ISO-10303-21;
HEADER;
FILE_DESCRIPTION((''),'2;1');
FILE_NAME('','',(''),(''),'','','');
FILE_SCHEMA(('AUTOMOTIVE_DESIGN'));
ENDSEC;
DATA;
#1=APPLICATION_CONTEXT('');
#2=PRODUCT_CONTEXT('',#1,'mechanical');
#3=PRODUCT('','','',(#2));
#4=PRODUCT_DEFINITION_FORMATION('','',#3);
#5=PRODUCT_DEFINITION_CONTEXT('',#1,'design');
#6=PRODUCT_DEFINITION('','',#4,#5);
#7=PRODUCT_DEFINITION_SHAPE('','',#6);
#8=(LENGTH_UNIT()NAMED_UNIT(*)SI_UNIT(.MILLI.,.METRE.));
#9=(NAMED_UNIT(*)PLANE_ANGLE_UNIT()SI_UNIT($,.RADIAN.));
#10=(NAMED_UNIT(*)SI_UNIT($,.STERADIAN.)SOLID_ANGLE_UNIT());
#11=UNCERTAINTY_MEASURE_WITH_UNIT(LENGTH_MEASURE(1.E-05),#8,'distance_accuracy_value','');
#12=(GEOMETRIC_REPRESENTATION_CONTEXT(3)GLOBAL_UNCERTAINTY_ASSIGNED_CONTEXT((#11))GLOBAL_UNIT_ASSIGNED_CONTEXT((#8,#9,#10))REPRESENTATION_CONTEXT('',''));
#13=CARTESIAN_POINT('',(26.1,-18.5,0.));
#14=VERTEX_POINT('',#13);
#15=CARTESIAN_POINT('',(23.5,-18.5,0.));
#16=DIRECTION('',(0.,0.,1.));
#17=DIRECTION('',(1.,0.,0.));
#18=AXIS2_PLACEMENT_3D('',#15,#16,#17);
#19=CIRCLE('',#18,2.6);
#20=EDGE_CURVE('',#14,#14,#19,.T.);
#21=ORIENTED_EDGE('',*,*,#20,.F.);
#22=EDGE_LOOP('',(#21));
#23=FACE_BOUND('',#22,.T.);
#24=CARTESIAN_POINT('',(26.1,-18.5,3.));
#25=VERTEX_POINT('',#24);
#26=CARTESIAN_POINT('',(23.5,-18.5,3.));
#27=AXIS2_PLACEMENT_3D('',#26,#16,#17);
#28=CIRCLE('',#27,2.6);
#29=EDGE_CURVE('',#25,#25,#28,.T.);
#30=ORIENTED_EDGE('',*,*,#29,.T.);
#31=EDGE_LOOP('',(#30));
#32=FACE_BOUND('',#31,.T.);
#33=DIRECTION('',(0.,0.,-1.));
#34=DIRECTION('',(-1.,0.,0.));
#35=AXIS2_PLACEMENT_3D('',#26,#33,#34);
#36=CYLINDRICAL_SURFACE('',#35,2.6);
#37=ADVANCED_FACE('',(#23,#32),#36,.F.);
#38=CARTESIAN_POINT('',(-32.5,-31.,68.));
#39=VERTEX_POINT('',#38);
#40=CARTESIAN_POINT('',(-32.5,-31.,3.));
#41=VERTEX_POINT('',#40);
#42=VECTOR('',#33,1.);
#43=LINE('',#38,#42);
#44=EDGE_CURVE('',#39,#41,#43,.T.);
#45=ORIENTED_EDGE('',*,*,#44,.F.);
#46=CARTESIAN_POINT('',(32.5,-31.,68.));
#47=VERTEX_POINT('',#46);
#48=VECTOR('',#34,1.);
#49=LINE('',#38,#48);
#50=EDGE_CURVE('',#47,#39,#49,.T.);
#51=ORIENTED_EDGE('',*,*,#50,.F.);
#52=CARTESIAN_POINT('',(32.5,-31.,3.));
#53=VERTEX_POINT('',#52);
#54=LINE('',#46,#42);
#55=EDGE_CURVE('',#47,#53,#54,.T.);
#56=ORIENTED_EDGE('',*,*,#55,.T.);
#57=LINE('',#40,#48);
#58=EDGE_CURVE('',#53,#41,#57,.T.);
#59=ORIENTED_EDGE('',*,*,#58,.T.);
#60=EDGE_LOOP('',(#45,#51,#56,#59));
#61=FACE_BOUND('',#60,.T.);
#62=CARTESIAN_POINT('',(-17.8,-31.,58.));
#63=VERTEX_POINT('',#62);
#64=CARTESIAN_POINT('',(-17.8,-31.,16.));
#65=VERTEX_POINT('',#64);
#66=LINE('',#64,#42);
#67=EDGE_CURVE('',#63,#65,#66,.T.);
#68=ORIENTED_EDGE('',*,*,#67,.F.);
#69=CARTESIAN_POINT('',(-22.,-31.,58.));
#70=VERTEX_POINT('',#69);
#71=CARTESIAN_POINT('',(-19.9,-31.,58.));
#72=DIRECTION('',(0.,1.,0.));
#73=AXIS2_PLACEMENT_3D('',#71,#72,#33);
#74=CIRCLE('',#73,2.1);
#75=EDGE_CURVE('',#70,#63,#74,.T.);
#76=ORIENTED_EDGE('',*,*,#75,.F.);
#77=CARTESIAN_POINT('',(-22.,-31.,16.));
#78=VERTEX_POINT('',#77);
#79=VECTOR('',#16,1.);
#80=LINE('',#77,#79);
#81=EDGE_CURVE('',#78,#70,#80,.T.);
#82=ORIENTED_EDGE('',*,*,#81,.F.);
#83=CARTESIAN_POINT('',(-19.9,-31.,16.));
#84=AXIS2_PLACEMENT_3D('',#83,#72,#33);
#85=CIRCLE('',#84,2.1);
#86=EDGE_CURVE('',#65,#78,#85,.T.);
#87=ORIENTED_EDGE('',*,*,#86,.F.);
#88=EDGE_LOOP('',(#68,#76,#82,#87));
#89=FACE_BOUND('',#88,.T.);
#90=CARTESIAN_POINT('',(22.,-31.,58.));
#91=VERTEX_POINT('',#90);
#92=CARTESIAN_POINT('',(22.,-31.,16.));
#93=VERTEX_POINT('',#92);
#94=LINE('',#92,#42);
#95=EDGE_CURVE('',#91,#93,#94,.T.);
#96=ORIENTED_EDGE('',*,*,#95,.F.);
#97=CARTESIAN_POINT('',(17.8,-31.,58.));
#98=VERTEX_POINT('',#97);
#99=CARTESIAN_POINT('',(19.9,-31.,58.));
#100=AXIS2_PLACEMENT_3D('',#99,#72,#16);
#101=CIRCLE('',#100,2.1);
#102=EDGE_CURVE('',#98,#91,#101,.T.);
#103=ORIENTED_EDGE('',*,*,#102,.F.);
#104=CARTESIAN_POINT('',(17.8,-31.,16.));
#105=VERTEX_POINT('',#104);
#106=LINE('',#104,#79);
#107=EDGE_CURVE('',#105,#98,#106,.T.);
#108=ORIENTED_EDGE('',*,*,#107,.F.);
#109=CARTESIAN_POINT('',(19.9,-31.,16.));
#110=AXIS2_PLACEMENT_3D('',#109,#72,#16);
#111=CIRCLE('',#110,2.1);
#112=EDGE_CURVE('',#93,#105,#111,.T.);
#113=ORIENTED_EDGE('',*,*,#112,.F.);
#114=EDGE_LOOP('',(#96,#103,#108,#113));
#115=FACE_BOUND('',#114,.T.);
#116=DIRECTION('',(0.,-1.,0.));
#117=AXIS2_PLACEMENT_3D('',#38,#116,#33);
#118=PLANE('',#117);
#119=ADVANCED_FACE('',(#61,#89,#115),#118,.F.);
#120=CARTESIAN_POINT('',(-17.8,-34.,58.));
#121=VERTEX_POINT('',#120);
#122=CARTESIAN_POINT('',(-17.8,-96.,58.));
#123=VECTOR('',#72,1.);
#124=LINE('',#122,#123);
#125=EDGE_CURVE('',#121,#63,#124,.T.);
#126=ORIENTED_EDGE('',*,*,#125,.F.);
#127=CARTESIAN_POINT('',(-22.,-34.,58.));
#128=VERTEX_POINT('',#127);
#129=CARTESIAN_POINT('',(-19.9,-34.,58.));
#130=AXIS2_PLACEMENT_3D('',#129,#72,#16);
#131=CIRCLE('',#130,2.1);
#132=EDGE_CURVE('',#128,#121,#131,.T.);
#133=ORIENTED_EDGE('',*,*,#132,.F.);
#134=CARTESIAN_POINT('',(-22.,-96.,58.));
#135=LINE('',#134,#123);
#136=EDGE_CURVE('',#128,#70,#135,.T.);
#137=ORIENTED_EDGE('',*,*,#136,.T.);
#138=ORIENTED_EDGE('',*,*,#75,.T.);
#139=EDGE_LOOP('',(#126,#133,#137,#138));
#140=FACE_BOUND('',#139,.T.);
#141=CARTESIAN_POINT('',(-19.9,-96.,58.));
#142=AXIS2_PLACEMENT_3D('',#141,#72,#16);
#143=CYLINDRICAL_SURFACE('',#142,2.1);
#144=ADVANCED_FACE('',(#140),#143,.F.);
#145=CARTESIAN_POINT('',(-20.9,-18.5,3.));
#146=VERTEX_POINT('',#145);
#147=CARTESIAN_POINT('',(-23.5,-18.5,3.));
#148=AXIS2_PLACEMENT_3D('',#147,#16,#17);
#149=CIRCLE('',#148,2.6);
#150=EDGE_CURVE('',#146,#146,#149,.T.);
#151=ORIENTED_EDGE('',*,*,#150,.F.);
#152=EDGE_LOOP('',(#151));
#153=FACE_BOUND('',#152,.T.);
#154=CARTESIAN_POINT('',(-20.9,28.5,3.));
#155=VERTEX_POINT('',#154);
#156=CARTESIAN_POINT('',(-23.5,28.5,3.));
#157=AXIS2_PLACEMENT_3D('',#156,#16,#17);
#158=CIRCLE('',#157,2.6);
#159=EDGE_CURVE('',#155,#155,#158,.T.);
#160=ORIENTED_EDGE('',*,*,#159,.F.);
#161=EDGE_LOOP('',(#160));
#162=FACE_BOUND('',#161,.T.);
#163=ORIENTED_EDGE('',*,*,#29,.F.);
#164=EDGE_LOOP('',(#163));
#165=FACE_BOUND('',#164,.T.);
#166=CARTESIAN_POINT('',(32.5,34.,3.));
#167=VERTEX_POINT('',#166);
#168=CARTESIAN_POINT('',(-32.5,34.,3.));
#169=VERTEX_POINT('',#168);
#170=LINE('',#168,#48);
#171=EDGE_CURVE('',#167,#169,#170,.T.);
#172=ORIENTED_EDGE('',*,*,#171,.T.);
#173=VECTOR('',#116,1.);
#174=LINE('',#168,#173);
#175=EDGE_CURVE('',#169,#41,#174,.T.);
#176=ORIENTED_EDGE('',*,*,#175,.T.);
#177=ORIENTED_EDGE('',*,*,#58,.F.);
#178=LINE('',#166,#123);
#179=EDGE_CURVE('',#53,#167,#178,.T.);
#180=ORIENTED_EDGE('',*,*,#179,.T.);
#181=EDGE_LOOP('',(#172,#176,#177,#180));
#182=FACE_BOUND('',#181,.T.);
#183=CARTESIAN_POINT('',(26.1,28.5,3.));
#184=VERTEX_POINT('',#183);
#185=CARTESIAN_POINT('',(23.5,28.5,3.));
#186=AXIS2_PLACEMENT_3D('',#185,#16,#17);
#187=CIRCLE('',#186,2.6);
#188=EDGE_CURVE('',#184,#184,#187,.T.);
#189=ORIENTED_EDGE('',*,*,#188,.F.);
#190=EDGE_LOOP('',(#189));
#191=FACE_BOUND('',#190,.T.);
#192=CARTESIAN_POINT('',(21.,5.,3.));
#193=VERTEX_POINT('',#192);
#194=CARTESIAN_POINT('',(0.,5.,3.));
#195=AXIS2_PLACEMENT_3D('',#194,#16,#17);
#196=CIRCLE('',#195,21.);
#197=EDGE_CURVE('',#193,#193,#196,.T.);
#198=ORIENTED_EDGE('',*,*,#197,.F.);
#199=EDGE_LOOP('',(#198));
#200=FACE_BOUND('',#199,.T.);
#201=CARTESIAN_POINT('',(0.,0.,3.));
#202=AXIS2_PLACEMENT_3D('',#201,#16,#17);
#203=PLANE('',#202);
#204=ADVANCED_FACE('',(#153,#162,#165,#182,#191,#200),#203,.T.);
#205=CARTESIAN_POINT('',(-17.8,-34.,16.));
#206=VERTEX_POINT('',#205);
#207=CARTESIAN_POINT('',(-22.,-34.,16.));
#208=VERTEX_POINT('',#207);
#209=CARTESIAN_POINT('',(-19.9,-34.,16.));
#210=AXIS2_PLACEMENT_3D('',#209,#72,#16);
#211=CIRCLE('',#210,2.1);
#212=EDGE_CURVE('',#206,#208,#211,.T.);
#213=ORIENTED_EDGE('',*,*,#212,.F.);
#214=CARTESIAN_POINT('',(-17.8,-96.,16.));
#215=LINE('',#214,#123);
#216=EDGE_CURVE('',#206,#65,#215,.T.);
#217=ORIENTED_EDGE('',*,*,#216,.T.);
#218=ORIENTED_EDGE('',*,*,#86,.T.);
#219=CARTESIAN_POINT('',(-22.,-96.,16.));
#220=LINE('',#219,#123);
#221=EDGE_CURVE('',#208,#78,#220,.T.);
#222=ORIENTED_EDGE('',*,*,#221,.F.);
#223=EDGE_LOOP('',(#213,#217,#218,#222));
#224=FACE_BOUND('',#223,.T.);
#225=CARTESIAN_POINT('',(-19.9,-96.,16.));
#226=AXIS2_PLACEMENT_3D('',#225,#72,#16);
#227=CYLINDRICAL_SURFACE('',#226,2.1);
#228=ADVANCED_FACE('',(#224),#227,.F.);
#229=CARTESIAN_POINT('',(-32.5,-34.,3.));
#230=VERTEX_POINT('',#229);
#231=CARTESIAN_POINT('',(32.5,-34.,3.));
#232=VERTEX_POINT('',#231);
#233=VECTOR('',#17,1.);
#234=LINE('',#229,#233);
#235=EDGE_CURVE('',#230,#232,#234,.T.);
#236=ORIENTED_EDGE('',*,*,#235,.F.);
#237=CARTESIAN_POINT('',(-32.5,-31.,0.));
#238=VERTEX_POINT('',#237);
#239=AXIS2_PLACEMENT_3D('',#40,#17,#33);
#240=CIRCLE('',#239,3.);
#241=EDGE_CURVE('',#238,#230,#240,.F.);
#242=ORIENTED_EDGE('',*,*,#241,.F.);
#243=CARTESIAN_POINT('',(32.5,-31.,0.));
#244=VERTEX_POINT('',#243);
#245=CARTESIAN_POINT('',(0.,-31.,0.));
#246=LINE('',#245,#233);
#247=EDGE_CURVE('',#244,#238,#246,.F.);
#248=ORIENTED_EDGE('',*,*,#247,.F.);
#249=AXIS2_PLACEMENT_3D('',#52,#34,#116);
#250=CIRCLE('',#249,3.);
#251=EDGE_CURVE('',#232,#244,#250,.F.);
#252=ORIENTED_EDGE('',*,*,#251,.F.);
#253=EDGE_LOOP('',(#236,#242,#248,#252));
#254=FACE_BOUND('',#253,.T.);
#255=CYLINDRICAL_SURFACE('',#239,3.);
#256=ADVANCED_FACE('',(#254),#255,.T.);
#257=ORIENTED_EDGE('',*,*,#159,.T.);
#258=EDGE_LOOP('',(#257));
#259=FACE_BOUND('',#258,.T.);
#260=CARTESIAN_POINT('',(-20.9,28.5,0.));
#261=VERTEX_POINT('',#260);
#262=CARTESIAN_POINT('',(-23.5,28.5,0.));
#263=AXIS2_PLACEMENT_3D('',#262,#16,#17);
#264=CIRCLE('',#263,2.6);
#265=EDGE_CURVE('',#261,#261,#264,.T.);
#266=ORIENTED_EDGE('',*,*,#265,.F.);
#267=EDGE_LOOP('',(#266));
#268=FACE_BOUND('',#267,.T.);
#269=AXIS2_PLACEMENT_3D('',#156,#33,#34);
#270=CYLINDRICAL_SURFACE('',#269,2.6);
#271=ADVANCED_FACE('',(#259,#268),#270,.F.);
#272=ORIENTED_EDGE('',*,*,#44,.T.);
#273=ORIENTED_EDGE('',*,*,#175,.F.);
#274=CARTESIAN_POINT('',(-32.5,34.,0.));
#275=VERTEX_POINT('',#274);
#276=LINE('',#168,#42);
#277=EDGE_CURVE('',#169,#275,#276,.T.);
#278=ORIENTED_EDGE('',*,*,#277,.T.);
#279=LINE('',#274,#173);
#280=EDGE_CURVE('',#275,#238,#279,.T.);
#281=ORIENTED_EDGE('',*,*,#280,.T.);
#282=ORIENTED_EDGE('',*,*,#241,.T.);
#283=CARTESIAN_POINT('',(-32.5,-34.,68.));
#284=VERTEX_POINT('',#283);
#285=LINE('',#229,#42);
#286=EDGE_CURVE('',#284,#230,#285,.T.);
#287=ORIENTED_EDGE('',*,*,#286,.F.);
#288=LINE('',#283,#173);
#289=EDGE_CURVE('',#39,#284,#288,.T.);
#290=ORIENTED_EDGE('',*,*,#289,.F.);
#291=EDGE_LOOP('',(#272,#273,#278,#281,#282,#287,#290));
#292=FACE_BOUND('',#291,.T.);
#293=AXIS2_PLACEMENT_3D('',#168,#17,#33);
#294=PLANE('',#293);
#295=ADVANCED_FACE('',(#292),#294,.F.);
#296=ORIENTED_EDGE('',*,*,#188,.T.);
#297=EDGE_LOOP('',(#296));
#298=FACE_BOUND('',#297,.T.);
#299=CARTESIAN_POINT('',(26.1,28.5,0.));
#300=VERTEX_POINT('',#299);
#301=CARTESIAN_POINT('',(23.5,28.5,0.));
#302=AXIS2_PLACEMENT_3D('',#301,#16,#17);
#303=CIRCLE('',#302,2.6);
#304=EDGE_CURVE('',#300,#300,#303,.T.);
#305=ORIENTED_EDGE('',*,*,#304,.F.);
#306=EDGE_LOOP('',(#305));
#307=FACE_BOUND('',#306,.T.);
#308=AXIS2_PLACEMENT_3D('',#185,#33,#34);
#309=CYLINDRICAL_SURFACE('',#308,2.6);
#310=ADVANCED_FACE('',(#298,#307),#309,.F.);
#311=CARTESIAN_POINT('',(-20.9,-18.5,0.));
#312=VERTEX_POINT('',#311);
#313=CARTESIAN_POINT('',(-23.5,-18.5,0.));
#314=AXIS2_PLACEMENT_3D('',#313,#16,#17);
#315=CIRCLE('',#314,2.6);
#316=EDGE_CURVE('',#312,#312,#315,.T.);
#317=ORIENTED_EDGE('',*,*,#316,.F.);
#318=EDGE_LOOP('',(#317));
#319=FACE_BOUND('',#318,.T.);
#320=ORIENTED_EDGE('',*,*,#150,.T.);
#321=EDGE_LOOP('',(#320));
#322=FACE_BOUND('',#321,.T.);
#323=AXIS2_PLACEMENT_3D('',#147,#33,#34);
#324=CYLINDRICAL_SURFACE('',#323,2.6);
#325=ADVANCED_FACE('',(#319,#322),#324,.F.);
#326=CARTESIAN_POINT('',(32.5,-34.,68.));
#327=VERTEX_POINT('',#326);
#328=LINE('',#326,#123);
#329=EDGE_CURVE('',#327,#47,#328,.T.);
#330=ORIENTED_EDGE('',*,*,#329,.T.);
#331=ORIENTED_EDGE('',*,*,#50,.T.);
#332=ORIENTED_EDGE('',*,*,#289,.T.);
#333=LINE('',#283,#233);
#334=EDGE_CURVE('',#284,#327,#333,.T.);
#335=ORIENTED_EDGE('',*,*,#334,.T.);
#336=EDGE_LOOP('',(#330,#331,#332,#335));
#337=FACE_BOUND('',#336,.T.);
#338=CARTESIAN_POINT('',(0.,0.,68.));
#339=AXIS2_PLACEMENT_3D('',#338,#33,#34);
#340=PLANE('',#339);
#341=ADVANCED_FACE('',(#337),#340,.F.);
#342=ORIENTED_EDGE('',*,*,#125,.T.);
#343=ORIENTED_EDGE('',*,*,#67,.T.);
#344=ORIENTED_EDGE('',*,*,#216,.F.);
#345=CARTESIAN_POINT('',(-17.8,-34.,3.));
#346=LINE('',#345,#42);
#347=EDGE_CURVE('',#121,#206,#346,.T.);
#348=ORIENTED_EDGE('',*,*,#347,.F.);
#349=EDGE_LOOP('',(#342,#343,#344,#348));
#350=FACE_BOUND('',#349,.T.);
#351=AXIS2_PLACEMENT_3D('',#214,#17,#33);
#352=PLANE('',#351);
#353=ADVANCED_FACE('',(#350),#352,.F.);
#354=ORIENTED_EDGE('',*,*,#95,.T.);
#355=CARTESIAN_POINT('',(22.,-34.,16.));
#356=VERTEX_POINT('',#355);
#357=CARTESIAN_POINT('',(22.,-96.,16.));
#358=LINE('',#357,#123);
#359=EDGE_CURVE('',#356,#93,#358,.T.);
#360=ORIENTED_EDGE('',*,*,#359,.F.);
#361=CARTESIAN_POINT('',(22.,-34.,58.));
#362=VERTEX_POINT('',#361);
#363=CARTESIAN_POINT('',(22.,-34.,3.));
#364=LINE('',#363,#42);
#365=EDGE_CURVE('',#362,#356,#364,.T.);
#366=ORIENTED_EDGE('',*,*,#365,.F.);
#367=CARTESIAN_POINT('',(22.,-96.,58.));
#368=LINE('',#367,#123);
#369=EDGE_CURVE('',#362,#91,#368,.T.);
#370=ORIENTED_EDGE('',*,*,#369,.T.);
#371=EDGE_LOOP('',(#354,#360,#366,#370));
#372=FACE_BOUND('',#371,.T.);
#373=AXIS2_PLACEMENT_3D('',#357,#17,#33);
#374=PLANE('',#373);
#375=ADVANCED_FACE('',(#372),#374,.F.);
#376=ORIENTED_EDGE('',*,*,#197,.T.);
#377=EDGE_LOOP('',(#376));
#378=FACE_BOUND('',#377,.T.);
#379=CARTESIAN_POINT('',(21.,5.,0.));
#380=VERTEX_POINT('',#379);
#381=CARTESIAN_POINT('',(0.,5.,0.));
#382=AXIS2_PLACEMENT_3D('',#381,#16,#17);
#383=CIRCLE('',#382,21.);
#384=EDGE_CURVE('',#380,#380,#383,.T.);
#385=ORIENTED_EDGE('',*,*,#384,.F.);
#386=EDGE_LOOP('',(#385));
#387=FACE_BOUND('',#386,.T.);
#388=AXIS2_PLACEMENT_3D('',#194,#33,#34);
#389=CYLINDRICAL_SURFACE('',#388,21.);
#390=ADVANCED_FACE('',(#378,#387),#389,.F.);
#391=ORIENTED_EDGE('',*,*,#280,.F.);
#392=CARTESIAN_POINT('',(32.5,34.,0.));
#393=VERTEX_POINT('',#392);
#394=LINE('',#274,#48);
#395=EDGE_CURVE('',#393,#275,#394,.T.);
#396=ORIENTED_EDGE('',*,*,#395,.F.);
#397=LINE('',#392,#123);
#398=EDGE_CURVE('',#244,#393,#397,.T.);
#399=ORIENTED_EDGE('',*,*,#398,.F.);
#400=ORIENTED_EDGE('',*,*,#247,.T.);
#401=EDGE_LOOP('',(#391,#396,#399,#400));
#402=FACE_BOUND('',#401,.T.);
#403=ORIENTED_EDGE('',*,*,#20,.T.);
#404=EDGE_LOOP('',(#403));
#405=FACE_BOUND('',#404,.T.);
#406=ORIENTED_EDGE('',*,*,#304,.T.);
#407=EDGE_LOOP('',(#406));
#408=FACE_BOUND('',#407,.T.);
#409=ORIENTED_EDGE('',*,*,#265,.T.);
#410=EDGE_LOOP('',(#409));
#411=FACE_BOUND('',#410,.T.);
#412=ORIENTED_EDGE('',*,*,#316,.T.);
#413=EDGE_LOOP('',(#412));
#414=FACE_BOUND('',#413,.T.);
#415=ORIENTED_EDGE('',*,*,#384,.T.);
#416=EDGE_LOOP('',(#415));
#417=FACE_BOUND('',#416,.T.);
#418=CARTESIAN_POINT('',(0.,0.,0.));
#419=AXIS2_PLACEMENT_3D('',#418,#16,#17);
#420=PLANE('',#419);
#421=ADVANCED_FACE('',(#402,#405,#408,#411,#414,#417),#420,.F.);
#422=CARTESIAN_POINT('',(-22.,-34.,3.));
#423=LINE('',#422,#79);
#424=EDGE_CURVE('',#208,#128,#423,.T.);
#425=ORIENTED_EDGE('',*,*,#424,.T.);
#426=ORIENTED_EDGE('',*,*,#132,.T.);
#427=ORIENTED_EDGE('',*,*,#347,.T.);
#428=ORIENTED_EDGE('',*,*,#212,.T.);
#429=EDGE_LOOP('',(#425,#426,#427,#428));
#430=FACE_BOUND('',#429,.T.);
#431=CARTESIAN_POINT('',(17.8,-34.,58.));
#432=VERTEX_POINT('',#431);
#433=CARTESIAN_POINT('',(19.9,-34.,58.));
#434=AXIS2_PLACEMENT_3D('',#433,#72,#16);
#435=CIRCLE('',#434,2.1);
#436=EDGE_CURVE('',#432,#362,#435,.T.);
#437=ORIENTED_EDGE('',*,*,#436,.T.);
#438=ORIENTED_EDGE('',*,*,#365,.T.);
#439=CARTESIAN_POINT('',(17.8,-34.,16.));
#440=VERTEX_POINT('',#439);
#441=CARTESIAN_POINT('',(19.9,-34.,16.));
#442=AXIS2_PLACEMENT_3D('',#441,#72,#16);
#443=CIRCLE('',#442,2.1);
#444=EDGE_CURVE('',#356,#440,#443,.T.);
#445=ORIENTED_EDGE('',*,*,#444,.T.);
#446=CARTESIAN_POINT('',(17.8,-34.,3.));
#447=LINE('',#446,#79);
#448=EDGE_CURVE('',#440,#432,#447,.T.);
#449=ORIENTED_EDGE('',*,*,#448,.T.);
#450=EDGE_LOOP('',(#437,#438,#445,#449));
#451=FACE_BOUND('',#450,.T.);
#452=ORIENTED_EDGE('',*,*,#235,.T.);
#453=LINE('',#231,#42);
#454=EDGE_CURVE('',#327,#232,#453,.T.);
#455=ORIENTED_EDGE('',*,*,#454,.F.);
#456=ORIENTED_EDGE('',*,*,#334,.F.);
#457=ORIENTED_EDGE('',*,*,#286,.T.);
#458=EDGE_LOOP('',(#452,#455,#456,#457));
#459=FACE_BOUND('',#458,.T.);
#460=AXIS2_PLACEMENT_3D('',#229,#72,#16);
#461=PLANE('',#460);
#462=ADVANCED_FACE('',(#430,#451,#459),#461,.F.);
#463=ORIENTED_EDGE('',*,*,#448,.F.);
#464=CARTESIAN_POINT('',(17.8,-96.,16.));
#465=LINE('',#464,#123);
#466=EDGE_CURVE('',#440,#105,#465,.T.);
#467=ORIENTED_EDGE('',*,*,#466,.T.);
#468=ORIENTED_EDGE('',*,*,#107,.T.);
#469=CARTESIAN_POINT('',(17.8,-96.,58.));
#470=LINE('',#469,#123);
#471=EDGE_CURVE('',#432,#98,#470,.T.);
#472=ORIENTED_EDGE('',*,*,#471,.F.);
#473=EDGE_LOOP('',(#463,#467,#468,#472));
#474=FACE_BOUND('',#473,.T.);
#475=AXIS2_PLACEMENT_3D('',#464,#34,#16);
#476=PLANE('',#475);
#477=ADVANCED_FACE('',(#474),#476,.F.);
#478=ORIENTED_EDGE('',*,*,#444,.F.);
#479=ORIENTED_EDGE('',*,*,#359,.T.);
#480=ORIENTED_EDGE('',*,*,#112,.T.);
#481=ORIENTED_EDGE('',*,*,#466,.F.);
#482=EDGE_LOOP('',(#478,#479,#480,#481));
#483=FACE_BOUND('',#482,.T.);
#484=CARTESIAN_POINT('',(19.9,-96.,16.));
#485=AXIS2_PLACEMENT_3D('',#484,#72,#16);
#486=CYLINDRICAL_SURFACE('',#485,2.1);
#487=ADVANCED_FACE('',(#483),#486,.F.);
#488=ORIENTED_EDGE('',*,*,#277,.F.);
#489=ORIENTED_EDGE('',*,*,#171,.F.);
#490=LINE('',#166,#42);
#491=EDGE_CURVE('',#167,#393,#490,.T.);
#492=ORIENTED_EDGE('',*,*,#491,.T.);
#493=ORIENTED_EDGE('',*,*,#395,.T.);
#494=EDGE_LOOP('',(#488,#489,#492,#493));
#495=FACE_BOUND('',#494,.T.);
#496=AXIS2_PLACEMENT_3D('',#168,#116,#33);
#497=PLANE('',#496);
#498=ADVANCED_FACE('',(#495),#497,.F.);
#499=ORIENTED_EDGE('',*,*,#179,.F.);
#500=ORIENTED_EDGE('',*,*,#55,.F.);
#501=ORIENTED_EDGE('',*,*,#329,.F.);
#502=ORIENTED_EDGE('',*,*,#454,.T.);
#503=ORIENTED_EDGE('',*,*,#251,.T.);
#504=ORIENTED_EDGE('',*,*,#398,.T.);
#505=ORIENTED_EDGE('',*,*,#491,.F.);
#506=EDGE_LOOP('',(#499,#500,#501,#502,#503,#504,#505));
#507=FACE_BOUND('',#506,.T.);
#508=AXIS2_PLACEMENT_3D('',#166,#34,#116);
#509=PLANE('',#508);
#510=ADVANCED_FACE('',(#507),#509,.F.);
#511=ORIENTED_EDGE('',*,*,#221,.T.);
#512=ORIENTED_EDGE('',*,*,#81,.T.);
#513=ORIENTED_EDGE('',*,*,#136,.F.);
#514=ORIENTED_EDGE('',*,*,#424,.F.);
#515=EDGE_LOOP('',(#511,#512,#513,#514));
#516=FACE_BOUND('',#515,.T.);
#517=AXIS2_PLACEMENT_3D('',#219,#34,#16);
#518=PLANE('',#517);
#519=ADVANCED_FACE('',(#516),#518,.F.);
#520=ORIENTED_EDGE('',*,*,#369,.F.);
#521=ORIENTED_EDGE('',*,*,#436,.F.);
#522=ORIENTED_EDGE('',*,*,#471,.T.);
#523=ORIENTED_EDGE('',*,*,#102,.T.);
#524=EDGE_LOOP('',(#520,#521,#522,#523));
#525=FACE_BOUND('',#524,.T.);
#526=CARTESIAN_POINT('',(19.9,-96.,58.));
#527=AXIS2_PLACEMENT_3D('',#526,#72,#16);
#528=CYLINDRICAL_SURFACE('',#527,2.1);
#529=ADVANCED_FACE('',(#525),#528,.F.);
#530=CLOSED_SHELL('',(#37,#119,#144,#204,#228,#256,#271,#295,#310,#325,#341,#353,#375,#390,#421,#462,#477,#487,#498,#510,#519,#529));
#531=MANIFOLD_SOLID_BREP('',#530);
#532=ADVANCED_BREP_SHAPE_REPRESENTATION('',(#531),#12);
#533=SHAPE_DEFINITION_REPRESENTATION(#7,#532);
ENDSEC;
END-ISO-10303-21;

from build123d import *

# Parameters (mm, degrees)
SKETCH_1_W          = 65
SKETCH_1_H          = 68
SKETCH_1_R          = 21
SKETCH_1_R_2        = 2.6
EXTRUDE_1_DEPTH     = 3
SKETCH_2_W          = 65
SKETCH_2_H          = 3
EXTRUDE_2_DEPTH     = 65
CUT_EXTRUDE_1_DEPTH = 65
FILLET_1_R          = 3


with BuildPart() as part:
    # 草图1 → 凸台-拉伸1 (new body)
    with BuildSketch(Plane.XY):
        Rectangle(SKETCH_1_W, SKETCH_1_H)
        with Locations((0, 5)):
            Circle(SKETCH_1_R, mode=Mode.SUBTRACT)
        with Locations((23.5, 28.5)):
            Circle(SKETCH_1_R_2, mode=Mode.SUBTRACT)
        with Locations((-23.5, 28.5)):
            Circle(SKETCH_1_R_2, mode=Mode.SUBTRACT)
        with Locations((-23.5, -18.5)):
            Circle(SKETCH_1_R_2, mode=Mode.SUBTRACT)
        with Locations((23.5, -18.5)):
            Circle(SKETCH_1_R_2, mode=Mode.SUBTRACT)
    extrude(amount=EXTRUDE_1_DEPTH)

    # 草图2 → 凸台-拉伸2 (add)
    with BuildSketch(Plane.XY.offset(3)):
        with Locations((0, -32.5)):
            Rectangle(SKETCH_2_W, SKETCH_2_H)
    extrude(amount=EXTRUDE_2_DEPTH)

    # 草图3 → 切除-拉伸1 (cut)
    with BuildSketch(Plane(origin=(0, -31, 0), x_dir=(1, 0, 0), z_dir=(0, 1, 0))):
        with BuildLine():
            Line((22, -16), (22, -58))
            ThreePointArc((22, -58), (19.9, -60.1), (17.8, -58))
            Line((17.8, -58), (17.8, -16))
            ThreePointArc((17.8, -16), (19.9, -13.9), (22, -16))
        make_face()
        with BuildLine():
            Line((-22, -16), (-22, -58))
            ThreePointArc((-22, -58), (-19.9, -60.1), (-17.8, -58))
            Line((-17.8, -58), (-17.8, -16))
            ThreePointArc((-17.8, -16), (-19.9, -13.9), (-22, -16))
        make_face()
    extrude(amount=-CUT_EXTRUDE_1_DEPTH, mode=Mode.SUBTRACT)

    # 圆角1
    fillet_1_edges = [part.edges().sort_by_distance(p)[0] for p in [
        (0, -34, 0),
    ]]
    fillet(fillet_1_edges, radius=FILLET_1_R)


solid = part.part
